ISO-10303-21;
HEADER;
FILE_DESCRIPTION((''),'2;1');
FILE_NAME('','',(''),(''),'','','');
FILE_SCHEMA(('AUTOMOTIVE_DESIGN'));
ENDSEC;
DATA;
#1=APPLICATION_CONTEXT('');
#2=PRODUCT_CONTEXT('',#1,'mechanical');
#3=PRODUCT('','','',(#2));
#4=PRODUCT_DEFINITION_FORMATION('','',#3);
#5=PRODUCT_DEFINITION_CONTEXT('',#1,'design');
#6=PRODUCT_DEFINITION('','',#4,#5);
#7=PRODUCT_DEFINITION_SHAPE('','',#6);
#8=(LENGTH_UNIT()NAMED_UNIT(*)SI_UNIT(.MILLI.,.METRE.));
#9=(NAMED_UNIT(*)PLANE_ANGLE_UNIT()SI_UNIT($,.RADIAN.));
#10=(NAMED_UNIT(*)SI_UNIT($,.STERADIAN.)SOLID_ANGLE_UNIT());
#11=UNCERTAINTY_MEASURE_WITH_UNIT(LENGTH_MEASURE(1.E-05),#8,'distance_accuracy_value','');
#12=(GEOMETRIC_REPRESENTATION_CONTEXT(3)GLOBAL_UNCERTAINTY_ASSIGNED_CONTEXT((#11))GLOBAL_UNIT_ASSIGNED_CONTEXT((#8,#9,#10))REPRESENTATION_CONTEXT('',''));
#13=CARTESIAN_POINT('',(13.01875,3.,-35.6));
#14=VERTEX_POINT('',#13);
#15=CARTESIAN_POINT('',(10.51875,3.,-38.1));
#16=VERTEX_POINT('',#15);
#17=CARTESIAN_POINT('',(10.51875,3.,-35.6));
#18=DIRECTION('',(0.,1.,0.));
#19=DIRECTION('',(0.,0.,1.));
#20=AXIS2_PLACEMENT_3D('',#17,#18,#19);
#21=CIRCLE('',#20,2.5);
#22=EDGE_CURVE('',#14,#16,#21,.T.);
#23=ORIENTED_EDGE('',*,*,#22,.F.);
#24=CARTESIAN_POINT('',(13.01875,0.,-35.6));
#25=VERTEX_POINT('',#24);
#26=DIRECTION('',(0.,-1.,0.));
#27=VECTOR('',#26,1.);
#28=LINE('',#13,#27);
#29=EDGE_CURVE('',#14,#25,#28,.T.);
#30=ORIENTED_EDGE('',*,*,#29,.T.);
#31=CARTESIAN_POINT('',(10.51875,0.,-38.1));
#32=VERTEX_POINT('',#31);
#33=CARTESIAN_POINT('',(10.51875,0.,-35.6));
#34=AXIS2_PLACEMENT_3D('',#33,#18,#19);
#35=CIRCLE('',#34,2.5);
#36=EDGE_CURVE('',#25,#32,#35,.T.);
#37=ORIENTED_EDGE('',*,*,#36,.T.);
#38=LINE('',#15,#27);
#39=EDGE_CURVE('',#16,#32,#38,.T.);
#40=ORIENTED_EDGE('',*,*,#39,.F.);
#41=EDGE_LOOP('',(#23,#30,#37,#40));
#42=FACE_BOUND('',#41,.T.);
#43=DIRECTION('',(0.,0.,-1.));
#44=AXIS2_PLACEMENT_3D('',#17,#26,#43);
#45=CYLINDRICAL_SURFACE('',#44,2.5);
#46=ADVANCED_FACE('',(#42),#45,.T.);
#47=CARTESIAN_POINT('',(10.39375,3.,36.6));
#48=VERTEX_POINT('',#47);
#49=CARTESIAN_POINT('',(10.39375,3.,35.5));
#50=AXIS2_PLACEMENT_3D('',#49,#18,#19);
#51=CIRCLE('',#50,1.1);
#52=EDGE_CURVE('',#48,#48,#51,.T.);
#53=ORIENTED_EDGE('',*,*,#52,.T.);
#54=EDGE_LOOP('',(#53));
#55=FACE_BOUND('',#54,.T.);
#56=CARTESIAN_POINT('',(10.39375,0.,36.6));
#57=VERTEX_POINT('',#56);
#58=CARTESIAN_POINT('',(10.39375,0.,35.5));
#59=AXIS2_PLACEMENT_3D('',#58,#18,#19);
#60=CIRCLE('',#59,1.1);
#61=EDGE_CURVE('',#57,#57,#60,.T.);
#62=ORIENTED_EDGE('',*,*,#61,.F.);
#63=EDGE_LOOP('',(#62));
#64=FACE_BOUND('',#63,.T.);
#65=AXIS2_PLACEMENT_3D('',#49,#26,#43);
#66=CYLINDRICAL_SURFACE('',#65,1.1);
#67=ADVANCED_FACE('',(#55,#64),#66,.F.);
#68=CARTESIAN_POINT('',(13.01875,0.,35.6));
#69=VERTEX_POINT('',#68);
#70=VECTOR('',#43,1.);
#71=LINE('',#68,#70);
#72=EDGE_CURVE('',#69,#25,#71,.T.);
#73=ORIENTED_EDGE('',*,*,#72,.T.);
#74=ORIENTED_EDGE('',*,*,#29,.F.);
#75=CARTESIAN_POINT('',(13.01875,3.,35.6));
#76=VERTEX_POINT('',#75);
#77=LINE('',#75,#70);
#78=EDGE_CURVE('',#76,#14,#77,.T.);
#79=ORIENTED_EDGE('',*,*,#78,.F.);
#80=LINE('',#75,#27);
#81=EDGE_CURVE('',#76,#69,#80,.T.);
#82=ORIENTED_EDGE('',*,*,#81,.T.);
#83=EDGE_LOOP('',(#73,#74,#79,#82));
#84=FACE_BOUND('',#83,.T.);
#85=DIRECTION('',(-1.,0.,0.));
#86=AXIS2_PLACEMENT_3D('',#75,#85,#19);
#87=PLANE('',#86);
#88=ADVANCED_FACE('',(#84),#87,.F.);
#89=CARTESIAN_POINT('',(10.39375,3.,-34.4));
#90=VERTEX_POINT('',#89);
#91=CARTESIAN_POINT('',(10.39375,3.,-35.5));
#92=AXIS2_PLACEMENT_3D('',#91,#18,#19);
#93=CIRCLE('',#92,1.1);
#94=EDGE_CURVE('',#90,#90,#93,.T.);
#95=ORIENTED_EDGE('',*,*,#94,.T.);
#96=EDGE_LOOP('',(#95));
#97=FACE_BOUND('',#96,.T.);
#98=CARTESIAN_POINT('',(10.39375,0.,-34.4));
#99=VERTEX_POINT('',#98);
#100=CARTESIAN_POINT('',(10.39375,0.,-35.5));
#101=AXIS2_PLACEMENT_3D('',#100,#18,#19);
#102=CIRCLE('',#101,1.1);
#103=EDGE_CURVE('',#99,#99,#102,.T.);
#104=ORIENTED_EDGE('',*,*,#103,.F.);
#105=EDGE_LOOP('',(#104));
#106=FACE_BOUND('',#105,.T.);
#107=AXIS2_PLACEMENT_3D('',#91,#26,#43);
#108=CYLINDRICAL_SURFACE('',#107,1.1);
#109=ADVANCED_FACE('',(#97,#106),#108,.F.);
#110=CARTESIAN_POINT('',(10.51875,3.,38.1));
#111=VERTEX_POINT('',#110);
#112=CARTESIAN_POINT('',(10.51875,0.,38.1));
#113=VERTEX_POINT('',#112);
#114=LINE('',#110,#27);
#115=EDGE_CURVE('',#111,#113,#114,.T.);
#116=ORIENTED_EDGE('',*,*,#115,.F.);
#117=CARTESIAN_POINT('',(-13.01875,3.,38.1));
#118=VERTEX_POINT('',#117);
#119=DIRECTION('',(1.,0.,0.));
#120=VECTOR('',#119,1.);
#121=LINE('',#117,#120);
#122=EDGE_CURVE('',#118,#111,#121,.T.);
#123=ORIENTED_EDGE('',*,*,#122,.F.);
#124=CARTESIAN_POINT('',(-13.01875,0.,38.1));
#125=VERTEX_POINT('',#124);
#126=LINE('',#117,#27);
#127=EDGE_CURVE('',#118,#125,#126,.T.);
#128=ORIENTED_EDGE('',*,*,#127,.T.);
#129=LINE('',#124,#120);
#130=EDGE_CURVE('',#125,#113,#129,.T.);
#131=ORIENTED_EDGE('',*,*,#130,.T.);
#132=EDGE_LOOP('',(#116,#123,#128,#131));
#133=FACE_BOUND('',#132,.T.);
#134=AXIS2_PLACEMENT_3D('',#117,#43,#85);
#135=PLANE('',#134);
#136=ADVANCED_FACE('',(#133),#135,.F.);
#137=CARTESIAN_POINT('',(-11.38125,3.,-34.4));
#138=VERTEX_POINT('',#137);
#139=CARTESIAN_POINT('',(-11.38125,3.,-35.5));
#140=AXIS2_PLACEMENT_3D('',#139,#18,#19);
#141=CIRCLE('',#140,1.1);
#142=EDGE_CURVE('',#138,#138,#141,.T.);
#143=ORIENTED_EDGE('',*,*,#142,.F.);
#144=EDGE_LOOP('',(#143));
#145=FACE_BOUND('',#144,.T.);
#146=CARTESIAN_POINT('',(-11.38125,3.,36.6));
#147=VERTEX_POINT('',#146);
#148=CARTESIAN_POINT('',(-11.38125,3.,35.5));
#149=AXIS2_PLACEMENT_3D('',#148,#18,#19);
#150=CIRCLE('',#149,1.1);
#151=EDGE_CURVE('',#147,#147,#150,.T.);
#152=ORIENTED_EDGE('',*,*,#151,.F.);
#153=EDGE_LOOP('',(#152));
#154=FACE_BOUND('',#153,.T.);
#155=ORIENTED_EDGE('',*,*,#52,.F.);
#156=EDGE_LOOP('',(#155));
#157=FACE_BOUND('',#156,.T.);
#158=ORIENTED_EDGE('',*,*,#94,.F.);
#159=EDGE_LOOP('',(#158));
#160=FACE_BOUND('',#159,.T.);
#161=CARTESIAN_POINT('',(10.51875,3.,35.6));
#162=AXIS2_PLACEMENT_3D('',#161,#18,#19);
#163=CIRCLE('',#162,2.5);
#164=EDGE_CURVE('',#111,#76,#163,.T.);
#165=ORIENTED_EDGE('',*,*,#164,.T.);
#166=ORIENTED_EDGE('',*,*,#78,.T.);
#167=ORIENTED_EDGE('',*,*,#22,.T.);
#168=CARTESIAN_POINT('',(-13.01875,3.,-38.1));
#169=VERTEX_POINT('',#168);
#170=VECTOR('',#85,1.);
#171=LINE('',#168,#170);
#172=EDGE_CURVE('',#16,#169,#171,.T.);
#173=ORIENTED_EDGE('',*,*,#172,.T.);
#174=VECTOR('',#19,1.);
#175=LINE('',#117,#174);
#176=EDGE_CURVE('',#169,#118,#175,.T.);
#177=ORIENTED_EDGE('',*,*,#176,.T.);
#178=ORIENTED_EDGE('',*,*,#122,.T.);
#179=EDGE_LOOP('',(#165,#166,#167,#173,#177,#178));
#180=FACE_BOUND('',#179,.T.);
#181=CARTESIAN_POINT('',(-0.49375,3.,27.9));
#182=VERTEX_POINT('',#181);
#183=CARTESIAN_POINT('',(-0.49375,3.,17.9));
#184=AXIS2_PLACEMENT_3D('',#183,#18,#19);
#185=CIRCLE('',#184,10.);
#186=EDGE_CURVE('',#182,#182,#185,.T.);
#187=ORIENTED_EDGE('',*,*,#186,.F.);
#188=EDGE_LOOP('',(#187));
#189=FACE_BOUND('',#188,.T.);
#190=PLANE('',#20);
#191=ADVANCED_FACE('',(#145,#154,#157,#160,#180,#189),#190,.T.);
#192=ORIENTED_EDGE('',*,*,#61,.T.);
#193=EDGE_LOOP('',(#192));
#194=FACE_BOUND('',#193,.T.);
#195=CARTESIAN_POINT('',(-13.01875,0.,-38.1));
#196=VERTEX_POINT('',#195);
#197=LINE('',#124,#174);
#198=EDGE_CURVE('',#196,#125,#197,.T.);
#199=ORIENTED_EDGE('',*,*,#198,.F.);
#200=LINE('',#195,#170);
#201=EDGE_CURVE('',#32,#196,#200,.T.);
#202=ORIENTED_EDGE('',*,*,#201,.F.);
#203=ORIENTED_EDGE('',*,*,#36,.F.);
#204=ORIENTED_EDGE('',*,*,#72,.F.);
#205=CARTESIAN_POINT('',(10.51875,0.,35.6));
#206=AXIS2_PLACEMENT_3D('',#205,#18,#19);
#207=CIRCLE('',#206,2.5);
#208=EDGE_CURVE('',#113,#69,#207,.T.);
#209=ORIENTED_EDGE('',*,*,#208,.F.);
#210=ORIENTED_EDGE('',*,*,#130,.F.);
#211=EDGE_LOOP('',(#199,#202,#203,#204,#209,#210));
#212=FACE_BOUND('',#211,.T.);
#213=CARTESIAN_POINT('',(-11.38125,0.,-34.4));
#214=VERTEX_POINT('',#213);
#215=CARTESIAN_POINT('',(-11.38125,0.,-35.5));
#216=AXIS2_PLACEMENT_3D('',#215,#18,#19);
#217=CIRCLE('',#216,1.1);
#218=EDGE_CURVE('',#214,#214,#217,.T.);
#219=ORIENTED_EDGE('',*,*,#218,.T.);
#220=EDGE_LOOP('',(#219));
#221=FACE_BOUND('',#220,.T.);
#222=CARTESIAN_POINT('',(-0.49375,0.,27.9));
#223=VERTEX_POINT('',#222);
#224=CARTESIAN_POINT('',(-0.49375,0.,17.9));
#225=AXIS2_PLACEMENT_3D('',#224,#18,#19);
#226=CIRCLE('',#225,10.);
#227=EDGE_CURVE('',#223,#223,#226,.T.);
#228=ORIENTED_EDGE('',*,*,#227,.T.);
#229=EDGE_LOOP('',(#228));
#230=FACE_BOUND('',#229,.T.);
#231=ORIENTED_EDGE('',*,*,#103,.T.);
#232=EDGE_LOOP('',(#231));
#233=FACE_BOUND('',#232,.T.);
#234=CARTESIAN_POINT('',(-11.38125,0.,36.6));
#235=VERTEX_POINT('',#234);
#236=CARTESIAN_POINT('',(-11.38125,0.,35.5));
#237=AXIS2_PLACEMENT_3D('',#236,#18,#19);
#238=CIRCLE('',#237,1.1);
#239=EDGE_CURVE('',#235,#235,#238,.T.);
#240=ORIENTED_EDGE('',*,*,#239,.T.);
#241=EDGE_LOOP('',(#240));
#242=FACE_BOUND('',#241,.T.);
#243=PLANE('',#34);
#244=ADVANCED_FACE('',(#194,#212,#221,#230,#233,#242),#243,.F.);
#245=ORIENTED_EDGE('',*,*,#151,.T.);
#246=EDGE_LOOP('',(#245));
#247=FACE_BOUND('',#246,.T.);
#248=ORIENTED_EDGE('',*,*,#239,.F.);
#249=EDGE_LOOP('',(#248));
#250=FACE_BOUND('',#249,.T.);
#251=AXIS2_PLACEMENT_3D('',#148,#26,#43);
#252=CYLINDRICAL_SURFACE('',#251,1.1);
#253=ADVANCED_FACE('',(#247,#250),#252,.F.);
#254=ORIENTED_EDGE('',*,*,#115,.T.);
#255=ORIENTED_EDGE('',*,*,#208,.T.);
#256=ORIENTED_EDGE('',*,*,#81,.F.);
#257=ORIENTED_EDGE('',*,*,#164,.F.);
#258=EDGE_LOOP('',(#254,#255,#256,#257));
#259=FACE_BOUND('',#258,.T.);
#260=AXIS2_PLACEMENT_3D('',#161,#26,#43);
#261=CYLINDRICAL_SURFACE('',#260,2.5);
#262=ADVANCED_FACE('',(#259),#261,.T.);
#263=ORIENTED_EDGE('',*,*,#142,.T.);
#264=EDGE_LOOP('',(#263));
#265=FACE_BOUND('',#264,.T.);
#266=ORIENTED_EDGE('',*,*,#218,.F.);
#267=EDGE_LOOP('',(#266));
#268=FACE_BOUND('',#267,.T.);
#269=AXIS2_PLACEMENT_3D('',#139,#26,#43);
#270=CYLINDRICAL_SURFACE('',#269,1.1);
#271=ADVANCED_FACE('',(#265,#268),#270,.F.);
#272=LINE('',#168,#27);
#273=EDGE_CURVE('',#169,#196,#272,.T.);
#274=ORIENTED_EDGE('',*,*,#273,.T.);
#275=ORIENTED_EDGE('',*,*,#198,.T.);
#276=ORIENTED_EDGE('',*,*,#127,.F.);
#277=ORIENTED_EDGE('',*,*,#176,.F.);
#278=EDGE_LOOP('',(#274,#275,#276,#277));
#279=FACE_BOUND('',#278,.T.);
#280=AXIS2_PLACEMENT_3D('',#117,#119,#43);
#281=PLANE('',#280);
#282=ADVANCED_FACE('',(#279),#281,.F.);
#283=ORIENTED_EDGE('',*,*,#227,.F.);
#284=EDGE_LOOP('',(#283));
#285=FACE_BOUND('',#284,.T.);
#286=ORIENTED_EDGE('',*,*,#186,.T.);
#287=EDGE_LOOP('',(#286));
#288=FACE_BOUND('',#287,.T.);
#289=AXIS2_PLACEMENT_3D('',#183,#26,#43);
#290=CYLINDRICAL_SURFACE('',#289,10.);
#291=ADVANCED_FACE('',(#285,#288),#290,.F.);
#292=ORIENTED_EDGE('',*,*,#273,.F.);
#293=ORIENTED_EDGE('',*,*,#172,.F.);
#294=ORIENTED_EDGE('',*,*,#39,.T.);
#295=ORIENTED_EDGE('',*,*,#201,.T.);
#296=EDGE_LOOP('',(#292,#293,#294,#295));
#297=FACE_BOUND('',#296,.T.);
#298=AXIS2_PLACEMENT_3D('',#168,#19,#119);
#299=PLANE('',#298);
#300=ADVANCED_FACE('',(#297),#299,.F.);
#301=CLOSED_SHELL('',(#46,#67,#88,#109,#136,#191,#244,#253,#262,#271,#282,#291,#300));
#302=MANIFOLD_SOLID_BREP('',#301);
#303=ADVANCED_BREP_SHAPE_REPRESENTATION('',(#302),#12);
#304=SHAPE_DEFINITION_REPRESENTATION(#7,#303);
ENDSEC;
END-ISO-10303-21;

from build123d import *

# Parameters (mm, degrees)
SKETCH1_R           = 1.1
SKETCH1_R_2         = 10
BOSS_EXTRUDE1_DEPTH = 3


with BuildPart() as part:
    # Sketch1 → Boss-Extrude1 (new body)
    with BuildSketch(Plane(origin=(0, 0, 0), x_dir=(1, 0, 0), z_dir=(0, 1, 0))):
        with BuildLine():
            Line((-13.01875, -38.1), (10.51875, -38.1))
            ThreePointArc((10.51875, -38.1), (12.286516953, -37.367766953), (13.01875, -35.6))
            Line((13.01875, -35.6), (13.01875, 35.6))
            ThreePointArc((13.01875, 35.6), (12.286516953, 37.367766953), (10.51875, 38.1))
            Line((10.51875, 38.1), (-13.01875, 38.1))
            Line((-13.01875, 38.1), (-13.01875, -38.1))
        make_face()
        with Locations(Location((-11.38125, 35.5, 0), (0, 0, 270))):
            Circle(SKETCH1_R, mode=Mode.SUBTRACT)
        with Locations(Location((10.39375, 35.5, 0), (0, 0, 270))):
            Circle(SKETCH1_R, mode=Mode.SUBTRACT)
        with Locations(Location((-11.38125, -35.5, 0), (0, 0, 270))):
            Circle(SKETCH1_R, mode=Mode.SUBTRACT)
        with Locations(Location((10.39375, -35.5, 0), (0, 0, 270))):
            Circle(SKETCH1_R, mode=Mode.SUBTRACT)
        with Locations(Location((-0.49375, -17.9, 0), (0, 0, 270))):
            Circle(SKETCH1_R_2, mode=Mode.SUBTRACT)
    extrude(amount=BOSS_EXTRUDE1_DEPTH)


solid = part.part
